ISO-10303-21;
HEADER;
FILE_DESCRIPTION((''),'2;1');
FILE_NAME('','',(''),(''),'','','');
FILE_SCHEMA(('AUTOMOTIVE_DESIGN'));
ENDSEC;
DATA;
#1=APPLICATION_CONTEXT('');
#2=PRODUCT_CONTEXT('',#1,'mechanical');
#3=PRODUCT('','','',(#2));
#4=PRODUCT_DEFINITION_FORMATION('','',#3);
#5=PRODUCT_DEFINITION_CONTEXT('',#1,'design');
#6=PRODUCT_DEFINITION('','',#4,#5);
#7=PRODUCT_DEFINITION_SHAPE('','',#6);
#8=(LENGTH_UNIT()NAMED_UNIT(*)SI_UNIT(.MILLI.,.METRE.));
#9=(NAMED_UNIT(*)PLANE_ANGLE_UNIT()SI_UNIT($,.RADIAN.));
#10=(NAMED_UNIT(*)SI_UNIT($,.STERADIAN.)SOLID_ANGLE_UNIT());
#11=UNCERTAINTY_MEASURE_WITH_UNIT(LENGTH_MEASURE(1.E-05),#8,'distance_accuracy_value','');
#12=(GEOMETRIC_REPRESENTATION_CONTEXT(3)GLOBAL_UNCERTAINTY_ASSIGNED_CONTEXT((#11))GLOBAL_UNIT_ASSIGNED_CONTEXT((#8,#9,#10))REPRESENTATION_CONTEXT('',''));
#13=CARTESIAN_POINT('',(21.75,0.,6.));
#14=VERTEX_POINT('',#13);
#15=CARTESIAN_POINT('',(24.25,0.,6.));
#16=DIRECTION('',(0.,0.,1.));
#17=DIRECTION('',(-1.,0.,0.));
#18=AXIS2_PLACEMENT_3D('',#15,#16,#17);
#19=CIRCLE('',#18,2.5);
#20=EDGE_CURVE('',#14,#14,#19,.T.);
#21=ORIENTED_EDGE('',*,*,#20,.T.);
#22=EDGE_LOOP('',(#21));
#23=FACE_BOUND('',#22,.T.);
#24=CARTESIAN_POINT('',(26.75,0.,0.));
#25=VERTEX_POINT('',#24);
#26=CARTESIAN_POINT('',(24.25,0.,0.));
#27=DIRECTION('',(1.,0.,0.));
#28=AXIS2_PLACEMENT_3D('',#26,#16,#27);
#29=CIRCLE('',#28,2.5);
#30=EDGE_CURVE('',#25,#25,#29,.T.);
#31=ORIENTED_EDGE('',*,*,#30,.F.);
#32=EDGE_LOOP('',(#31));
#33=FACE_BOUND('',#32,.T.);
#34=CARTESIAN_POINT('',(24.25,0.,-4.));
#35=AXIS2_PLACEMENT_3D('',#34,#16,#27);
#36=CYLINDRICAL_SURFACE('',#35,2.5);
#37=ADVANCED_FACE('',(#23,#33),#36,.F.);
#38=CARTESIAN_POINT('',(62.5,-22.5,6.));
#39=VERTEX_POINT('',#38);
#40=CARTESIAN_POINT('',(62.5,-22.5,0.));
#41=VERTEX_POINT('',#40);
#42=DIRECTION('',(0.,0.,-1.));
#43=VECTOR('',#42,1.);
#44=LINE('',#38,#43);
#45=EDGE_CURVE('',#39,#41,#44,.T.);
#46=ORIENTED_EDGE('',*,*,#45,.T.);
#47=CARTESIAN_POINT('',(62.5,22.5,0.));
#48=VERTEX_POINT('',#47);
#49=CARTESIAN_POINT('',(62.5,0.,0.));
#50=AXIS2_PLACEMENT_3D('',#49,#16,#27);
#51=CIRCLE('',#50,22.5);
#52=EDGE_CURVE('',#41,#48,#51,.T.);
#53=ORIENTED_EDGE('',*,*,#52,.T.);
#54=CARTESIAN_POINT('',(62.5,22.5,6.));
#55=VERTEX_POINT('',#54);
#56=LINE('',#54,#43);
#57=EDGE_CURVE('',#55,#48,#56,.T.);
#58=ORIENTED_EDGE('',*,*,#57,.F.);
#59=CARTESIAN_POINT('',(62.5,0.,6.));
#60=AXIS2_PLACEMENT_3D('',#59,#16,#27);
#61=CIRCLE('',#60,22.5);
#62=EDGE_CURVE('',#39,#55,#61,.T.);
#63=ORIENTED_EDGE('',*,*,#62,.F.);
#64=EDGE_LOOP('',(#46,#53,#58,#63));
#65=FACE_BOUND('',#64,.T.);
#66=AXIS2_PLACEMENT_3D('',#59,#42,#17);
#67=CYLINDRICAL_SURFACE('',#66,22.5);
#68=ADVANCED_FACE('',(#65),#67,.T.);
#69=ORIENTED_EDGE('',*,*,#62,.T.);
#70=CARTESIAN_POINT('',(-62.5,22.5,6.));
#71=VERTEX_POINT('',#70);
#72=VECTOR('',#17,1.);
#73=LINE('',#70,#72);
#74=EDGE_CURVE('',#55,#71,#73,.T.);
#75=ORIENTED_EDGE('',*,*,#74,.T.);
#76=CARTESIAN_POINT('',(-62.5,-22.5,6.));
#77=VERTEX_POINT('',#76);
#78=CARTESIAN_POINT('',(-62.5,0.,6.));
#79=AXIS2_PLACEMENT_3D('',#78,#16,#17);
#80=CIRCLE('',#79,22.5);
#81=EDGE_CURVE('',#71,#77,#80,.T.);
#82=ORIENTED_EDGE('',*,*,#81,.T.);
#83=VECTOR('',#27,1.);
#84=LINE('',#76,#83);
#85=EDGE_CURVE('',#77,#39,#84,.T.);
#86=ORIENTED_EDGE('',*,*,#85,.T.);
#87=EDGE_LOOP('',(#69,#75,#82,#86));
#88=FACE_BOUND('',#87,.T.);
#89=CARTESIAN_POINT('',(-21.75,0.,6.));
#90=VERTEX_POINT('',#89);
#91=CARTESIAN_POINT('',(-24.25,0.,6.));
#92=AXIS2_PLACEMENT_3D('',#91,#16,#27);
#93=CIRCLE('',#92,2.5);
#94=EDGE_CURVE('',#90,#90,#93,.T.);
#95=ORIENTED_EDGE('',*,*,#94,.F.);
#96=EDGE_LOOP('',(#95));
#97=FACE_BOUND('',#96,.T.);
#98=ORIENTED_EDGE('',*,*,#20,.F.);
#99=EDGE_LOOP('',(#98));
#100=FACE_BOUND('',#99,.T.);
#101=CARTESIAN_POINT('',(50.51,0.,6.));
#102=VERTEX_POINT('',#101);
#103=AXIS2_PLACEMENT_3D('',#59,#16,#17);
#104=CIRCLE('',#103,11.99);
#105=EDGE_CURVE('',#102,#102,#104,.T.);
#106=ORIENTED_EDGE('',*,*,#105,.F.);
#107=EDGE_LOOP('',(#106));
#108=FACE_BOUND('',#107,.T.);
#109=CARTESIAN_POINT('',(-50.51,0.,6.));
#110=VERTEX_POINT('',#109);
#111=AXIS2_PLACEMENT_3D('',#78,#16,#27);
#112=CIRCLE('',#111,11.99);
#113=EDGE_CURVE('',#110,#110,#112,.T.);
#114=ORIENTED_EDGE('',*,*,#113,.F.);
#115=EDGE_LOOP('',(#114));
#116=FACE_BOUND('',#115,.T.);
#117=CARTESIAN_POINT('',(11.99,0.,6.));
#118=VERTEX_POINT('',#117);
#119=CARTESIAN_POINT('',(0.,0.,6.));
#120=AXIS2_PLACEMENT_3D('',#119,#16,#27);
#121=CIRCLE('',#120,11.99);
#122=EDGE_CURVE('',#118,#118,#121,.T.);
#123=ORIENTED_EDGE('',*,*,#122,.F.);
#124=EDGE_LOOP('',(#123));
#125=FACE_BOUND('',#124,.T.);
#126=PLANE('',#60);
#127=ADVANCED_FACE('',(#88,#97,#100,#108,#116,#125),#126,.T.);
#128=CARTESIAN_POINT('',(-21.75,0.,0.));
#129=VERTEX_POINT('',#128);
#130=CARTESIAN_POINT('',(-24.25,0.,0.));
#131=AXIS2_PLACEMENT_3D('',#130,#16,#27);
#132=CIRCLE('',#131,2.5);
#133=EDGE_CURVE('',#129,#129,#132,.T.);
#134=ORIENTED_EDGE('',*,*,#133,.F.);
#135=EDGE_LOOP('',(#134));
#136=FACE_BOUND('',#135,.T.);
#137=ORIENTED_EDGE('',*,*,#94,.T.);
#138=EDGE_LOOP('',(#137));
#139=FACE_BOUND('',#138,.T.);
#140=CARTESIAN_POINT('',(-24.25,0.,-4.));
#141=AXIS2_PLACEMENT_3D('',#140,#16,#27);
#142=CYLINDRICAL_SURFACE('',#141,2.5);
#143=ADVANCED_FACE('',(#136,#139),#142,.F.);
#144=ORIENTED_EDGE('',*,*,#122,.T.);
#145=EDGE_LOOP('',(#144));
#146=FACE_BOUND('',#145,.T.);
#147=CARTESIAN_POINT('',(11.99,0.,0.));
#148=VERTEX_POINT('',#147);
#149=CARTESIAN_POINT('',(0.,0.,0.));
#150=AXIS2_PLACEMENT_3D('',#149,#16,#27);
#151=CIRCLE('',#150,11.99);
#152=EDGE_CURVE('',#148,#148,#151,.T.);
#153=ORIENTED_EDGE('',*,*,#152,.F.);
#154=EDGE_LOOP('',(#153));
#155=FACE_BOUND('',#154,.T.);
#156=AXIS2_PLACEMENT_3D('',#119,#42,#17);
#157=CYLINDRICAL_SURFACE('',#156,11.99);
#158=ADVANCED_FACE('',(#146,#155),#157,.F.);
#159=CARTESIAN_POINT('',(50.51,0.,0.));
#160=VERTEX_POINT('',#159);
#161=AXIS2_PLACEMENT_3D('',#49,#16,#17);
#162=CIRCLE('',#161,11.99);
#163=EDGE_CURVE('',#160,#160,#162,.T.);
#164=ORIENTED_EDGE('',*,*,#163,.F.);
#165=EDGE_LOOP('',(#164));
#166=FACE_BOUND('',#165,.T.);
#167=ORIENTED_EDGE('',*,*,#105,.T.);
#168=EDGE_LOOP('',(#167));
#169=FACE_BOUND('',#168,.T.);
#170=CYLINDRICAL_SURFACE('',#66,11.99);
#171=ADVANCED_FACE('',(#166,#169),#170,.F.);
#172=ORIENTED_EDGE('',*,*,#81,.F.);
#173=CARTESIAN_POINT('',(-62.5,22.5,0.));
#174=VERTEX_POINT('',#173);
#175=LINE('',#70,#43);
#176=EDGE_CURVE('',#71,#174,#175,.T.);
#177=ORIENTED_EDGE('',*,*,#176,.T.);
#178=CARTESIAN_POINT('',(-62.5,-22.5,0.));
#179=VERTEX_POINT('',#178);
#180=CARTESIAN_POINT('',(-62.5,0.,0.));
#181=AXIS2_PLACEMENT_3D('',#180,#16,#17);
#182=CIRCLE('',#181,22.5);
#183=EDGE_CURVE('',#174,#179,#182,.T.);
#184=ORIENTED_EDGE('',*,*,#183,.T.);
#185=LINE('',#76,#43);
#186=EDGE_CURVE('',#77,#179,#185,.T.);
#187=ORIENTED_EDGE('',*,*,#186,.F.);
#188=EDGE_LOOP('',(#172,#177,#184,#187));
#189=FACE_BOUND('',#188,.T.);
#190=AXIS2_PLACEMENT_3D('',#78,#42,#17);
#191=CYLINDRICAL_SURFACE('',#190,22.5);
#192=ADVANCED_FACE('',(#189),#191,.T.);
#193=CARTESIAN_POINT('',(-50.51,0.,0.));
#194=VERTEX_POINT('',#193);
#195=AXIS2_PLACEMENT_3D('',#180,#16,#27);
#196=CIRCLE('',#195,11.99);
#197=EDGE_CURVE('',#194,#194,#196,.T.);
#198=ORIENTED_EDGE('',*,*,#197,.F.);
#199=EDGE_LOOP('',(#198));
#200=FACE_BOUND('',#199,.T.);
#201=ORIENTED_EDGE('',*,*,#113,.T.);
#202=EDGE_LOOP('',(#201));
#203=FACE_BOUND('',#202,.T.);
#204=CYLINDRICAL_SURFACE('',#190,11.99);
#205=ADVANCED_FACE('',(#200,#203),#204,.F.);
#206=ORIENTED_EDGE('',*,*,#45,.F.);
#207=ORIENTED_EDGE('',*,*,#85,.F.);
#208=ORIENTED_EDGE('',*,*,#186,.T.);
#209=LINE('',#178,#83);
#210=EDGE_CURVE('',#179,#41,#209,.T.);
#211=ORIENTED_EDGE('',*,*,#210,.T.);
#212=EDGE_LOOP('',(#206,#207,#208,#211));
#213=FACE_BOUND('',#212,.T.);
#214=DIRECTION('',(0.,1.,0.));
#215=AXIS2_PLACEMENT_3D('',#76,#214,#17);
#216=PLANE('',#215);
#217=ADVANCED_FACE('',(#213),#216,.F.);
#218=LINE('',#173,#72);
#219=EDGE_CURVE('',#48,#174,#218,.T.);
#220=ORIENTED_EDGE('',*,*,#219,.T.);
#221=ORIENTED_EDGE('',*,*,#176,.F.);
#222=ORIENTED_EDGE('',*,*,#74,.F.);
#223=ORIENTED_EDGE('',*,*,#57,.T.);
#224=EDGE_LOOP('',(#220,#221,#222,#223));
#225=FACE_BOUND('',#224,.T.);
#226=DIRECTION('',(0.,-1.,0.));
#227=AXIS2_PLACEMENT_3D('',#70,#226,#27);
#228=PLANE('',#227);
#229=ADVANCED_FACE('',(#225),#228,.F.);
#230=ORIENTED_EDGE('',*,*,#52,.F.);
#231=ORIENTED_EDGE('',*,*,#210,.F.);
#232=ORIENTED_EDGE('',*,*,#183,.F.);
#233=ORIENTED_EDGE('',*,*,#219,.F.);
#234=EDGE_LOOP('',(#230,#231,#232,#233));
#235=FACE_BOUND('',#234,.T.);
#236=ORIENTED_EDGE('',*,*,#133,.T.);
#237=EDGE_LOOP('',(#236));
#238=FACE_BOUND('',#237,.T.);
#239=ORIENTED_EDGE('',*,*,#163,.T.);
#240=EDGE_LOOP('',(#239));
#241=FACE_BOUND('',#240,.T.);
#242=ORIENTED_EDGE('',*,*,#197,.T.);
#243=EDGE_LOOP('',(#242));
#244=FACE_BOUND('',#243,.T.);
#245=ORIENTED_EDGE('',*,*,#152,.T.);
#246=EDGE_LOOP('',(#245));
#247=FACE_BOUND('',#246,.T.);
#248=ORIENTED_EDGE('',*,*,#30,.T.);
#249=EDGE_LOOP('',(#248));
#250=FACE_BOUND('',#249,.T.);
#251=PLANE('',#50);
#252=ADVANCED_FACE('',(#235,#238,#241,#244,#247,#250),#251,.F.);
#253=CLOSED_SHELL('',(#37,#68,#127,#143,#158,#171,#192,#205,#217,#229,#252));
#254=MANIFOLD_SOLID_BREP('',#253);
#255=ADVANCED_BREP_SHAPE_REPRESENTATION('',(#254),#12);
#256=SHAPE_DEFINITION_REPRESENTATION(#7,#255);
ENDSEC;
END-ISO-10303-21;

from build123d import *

# Parameters (mm, degrees)
SKETCH2_R           = 11.99
BOSS_EXTRUDE1_DEPTH = 6
SKETCH3_R           = 2.5
CUT_EXTRUDE1_DEPTH  = 10


with BuildPart() as part:
    # Sketch2 → Boss-Extrude1 (new body)
    with BuildSketch(Plane.XY):
        with BuildLine():
            Line((-62.5, -22.5), (62.5, -22.5))
            ThreePointArc((62.5, -22.5), (85, 0), (62.5, 22.5))
            Line((62.5, 22.5), (-62.5, 22.5))
            ThreePointArc((-62.5, 22.5), (-85, 0), (-62.5, -22.5))
        make_face()
        with Locations((-62.5, 0)):
            Circle(SKETCH2_R, mode=Mode.SUBTRACT)
        with Locations(Location((62.5, 0, 0), (0, 0, 180))):
            Circle(SKETCH2_R, mode=Mode.SUBTRACT)
        Circle(SKETCH2_R, mode=Mode.SUBTRACT)
    extrude(amount=BOSS_EXTRUDE1_DEPTH)

    # Sketch3 → Cut-Extrude1 (cut)
    with BuildSketch(Plane.XY.offset(6)):
        with Locations((-24.25, 0)):
            Circle(SKETCH3_R)
        with Locations((24.25, 0)):
            Circle(SKETCH3_R)
    extrude(amount=-CUT_EXTRUDE1_DEPTH, mode=Mode.SUBTRACT)


solid = part.part
